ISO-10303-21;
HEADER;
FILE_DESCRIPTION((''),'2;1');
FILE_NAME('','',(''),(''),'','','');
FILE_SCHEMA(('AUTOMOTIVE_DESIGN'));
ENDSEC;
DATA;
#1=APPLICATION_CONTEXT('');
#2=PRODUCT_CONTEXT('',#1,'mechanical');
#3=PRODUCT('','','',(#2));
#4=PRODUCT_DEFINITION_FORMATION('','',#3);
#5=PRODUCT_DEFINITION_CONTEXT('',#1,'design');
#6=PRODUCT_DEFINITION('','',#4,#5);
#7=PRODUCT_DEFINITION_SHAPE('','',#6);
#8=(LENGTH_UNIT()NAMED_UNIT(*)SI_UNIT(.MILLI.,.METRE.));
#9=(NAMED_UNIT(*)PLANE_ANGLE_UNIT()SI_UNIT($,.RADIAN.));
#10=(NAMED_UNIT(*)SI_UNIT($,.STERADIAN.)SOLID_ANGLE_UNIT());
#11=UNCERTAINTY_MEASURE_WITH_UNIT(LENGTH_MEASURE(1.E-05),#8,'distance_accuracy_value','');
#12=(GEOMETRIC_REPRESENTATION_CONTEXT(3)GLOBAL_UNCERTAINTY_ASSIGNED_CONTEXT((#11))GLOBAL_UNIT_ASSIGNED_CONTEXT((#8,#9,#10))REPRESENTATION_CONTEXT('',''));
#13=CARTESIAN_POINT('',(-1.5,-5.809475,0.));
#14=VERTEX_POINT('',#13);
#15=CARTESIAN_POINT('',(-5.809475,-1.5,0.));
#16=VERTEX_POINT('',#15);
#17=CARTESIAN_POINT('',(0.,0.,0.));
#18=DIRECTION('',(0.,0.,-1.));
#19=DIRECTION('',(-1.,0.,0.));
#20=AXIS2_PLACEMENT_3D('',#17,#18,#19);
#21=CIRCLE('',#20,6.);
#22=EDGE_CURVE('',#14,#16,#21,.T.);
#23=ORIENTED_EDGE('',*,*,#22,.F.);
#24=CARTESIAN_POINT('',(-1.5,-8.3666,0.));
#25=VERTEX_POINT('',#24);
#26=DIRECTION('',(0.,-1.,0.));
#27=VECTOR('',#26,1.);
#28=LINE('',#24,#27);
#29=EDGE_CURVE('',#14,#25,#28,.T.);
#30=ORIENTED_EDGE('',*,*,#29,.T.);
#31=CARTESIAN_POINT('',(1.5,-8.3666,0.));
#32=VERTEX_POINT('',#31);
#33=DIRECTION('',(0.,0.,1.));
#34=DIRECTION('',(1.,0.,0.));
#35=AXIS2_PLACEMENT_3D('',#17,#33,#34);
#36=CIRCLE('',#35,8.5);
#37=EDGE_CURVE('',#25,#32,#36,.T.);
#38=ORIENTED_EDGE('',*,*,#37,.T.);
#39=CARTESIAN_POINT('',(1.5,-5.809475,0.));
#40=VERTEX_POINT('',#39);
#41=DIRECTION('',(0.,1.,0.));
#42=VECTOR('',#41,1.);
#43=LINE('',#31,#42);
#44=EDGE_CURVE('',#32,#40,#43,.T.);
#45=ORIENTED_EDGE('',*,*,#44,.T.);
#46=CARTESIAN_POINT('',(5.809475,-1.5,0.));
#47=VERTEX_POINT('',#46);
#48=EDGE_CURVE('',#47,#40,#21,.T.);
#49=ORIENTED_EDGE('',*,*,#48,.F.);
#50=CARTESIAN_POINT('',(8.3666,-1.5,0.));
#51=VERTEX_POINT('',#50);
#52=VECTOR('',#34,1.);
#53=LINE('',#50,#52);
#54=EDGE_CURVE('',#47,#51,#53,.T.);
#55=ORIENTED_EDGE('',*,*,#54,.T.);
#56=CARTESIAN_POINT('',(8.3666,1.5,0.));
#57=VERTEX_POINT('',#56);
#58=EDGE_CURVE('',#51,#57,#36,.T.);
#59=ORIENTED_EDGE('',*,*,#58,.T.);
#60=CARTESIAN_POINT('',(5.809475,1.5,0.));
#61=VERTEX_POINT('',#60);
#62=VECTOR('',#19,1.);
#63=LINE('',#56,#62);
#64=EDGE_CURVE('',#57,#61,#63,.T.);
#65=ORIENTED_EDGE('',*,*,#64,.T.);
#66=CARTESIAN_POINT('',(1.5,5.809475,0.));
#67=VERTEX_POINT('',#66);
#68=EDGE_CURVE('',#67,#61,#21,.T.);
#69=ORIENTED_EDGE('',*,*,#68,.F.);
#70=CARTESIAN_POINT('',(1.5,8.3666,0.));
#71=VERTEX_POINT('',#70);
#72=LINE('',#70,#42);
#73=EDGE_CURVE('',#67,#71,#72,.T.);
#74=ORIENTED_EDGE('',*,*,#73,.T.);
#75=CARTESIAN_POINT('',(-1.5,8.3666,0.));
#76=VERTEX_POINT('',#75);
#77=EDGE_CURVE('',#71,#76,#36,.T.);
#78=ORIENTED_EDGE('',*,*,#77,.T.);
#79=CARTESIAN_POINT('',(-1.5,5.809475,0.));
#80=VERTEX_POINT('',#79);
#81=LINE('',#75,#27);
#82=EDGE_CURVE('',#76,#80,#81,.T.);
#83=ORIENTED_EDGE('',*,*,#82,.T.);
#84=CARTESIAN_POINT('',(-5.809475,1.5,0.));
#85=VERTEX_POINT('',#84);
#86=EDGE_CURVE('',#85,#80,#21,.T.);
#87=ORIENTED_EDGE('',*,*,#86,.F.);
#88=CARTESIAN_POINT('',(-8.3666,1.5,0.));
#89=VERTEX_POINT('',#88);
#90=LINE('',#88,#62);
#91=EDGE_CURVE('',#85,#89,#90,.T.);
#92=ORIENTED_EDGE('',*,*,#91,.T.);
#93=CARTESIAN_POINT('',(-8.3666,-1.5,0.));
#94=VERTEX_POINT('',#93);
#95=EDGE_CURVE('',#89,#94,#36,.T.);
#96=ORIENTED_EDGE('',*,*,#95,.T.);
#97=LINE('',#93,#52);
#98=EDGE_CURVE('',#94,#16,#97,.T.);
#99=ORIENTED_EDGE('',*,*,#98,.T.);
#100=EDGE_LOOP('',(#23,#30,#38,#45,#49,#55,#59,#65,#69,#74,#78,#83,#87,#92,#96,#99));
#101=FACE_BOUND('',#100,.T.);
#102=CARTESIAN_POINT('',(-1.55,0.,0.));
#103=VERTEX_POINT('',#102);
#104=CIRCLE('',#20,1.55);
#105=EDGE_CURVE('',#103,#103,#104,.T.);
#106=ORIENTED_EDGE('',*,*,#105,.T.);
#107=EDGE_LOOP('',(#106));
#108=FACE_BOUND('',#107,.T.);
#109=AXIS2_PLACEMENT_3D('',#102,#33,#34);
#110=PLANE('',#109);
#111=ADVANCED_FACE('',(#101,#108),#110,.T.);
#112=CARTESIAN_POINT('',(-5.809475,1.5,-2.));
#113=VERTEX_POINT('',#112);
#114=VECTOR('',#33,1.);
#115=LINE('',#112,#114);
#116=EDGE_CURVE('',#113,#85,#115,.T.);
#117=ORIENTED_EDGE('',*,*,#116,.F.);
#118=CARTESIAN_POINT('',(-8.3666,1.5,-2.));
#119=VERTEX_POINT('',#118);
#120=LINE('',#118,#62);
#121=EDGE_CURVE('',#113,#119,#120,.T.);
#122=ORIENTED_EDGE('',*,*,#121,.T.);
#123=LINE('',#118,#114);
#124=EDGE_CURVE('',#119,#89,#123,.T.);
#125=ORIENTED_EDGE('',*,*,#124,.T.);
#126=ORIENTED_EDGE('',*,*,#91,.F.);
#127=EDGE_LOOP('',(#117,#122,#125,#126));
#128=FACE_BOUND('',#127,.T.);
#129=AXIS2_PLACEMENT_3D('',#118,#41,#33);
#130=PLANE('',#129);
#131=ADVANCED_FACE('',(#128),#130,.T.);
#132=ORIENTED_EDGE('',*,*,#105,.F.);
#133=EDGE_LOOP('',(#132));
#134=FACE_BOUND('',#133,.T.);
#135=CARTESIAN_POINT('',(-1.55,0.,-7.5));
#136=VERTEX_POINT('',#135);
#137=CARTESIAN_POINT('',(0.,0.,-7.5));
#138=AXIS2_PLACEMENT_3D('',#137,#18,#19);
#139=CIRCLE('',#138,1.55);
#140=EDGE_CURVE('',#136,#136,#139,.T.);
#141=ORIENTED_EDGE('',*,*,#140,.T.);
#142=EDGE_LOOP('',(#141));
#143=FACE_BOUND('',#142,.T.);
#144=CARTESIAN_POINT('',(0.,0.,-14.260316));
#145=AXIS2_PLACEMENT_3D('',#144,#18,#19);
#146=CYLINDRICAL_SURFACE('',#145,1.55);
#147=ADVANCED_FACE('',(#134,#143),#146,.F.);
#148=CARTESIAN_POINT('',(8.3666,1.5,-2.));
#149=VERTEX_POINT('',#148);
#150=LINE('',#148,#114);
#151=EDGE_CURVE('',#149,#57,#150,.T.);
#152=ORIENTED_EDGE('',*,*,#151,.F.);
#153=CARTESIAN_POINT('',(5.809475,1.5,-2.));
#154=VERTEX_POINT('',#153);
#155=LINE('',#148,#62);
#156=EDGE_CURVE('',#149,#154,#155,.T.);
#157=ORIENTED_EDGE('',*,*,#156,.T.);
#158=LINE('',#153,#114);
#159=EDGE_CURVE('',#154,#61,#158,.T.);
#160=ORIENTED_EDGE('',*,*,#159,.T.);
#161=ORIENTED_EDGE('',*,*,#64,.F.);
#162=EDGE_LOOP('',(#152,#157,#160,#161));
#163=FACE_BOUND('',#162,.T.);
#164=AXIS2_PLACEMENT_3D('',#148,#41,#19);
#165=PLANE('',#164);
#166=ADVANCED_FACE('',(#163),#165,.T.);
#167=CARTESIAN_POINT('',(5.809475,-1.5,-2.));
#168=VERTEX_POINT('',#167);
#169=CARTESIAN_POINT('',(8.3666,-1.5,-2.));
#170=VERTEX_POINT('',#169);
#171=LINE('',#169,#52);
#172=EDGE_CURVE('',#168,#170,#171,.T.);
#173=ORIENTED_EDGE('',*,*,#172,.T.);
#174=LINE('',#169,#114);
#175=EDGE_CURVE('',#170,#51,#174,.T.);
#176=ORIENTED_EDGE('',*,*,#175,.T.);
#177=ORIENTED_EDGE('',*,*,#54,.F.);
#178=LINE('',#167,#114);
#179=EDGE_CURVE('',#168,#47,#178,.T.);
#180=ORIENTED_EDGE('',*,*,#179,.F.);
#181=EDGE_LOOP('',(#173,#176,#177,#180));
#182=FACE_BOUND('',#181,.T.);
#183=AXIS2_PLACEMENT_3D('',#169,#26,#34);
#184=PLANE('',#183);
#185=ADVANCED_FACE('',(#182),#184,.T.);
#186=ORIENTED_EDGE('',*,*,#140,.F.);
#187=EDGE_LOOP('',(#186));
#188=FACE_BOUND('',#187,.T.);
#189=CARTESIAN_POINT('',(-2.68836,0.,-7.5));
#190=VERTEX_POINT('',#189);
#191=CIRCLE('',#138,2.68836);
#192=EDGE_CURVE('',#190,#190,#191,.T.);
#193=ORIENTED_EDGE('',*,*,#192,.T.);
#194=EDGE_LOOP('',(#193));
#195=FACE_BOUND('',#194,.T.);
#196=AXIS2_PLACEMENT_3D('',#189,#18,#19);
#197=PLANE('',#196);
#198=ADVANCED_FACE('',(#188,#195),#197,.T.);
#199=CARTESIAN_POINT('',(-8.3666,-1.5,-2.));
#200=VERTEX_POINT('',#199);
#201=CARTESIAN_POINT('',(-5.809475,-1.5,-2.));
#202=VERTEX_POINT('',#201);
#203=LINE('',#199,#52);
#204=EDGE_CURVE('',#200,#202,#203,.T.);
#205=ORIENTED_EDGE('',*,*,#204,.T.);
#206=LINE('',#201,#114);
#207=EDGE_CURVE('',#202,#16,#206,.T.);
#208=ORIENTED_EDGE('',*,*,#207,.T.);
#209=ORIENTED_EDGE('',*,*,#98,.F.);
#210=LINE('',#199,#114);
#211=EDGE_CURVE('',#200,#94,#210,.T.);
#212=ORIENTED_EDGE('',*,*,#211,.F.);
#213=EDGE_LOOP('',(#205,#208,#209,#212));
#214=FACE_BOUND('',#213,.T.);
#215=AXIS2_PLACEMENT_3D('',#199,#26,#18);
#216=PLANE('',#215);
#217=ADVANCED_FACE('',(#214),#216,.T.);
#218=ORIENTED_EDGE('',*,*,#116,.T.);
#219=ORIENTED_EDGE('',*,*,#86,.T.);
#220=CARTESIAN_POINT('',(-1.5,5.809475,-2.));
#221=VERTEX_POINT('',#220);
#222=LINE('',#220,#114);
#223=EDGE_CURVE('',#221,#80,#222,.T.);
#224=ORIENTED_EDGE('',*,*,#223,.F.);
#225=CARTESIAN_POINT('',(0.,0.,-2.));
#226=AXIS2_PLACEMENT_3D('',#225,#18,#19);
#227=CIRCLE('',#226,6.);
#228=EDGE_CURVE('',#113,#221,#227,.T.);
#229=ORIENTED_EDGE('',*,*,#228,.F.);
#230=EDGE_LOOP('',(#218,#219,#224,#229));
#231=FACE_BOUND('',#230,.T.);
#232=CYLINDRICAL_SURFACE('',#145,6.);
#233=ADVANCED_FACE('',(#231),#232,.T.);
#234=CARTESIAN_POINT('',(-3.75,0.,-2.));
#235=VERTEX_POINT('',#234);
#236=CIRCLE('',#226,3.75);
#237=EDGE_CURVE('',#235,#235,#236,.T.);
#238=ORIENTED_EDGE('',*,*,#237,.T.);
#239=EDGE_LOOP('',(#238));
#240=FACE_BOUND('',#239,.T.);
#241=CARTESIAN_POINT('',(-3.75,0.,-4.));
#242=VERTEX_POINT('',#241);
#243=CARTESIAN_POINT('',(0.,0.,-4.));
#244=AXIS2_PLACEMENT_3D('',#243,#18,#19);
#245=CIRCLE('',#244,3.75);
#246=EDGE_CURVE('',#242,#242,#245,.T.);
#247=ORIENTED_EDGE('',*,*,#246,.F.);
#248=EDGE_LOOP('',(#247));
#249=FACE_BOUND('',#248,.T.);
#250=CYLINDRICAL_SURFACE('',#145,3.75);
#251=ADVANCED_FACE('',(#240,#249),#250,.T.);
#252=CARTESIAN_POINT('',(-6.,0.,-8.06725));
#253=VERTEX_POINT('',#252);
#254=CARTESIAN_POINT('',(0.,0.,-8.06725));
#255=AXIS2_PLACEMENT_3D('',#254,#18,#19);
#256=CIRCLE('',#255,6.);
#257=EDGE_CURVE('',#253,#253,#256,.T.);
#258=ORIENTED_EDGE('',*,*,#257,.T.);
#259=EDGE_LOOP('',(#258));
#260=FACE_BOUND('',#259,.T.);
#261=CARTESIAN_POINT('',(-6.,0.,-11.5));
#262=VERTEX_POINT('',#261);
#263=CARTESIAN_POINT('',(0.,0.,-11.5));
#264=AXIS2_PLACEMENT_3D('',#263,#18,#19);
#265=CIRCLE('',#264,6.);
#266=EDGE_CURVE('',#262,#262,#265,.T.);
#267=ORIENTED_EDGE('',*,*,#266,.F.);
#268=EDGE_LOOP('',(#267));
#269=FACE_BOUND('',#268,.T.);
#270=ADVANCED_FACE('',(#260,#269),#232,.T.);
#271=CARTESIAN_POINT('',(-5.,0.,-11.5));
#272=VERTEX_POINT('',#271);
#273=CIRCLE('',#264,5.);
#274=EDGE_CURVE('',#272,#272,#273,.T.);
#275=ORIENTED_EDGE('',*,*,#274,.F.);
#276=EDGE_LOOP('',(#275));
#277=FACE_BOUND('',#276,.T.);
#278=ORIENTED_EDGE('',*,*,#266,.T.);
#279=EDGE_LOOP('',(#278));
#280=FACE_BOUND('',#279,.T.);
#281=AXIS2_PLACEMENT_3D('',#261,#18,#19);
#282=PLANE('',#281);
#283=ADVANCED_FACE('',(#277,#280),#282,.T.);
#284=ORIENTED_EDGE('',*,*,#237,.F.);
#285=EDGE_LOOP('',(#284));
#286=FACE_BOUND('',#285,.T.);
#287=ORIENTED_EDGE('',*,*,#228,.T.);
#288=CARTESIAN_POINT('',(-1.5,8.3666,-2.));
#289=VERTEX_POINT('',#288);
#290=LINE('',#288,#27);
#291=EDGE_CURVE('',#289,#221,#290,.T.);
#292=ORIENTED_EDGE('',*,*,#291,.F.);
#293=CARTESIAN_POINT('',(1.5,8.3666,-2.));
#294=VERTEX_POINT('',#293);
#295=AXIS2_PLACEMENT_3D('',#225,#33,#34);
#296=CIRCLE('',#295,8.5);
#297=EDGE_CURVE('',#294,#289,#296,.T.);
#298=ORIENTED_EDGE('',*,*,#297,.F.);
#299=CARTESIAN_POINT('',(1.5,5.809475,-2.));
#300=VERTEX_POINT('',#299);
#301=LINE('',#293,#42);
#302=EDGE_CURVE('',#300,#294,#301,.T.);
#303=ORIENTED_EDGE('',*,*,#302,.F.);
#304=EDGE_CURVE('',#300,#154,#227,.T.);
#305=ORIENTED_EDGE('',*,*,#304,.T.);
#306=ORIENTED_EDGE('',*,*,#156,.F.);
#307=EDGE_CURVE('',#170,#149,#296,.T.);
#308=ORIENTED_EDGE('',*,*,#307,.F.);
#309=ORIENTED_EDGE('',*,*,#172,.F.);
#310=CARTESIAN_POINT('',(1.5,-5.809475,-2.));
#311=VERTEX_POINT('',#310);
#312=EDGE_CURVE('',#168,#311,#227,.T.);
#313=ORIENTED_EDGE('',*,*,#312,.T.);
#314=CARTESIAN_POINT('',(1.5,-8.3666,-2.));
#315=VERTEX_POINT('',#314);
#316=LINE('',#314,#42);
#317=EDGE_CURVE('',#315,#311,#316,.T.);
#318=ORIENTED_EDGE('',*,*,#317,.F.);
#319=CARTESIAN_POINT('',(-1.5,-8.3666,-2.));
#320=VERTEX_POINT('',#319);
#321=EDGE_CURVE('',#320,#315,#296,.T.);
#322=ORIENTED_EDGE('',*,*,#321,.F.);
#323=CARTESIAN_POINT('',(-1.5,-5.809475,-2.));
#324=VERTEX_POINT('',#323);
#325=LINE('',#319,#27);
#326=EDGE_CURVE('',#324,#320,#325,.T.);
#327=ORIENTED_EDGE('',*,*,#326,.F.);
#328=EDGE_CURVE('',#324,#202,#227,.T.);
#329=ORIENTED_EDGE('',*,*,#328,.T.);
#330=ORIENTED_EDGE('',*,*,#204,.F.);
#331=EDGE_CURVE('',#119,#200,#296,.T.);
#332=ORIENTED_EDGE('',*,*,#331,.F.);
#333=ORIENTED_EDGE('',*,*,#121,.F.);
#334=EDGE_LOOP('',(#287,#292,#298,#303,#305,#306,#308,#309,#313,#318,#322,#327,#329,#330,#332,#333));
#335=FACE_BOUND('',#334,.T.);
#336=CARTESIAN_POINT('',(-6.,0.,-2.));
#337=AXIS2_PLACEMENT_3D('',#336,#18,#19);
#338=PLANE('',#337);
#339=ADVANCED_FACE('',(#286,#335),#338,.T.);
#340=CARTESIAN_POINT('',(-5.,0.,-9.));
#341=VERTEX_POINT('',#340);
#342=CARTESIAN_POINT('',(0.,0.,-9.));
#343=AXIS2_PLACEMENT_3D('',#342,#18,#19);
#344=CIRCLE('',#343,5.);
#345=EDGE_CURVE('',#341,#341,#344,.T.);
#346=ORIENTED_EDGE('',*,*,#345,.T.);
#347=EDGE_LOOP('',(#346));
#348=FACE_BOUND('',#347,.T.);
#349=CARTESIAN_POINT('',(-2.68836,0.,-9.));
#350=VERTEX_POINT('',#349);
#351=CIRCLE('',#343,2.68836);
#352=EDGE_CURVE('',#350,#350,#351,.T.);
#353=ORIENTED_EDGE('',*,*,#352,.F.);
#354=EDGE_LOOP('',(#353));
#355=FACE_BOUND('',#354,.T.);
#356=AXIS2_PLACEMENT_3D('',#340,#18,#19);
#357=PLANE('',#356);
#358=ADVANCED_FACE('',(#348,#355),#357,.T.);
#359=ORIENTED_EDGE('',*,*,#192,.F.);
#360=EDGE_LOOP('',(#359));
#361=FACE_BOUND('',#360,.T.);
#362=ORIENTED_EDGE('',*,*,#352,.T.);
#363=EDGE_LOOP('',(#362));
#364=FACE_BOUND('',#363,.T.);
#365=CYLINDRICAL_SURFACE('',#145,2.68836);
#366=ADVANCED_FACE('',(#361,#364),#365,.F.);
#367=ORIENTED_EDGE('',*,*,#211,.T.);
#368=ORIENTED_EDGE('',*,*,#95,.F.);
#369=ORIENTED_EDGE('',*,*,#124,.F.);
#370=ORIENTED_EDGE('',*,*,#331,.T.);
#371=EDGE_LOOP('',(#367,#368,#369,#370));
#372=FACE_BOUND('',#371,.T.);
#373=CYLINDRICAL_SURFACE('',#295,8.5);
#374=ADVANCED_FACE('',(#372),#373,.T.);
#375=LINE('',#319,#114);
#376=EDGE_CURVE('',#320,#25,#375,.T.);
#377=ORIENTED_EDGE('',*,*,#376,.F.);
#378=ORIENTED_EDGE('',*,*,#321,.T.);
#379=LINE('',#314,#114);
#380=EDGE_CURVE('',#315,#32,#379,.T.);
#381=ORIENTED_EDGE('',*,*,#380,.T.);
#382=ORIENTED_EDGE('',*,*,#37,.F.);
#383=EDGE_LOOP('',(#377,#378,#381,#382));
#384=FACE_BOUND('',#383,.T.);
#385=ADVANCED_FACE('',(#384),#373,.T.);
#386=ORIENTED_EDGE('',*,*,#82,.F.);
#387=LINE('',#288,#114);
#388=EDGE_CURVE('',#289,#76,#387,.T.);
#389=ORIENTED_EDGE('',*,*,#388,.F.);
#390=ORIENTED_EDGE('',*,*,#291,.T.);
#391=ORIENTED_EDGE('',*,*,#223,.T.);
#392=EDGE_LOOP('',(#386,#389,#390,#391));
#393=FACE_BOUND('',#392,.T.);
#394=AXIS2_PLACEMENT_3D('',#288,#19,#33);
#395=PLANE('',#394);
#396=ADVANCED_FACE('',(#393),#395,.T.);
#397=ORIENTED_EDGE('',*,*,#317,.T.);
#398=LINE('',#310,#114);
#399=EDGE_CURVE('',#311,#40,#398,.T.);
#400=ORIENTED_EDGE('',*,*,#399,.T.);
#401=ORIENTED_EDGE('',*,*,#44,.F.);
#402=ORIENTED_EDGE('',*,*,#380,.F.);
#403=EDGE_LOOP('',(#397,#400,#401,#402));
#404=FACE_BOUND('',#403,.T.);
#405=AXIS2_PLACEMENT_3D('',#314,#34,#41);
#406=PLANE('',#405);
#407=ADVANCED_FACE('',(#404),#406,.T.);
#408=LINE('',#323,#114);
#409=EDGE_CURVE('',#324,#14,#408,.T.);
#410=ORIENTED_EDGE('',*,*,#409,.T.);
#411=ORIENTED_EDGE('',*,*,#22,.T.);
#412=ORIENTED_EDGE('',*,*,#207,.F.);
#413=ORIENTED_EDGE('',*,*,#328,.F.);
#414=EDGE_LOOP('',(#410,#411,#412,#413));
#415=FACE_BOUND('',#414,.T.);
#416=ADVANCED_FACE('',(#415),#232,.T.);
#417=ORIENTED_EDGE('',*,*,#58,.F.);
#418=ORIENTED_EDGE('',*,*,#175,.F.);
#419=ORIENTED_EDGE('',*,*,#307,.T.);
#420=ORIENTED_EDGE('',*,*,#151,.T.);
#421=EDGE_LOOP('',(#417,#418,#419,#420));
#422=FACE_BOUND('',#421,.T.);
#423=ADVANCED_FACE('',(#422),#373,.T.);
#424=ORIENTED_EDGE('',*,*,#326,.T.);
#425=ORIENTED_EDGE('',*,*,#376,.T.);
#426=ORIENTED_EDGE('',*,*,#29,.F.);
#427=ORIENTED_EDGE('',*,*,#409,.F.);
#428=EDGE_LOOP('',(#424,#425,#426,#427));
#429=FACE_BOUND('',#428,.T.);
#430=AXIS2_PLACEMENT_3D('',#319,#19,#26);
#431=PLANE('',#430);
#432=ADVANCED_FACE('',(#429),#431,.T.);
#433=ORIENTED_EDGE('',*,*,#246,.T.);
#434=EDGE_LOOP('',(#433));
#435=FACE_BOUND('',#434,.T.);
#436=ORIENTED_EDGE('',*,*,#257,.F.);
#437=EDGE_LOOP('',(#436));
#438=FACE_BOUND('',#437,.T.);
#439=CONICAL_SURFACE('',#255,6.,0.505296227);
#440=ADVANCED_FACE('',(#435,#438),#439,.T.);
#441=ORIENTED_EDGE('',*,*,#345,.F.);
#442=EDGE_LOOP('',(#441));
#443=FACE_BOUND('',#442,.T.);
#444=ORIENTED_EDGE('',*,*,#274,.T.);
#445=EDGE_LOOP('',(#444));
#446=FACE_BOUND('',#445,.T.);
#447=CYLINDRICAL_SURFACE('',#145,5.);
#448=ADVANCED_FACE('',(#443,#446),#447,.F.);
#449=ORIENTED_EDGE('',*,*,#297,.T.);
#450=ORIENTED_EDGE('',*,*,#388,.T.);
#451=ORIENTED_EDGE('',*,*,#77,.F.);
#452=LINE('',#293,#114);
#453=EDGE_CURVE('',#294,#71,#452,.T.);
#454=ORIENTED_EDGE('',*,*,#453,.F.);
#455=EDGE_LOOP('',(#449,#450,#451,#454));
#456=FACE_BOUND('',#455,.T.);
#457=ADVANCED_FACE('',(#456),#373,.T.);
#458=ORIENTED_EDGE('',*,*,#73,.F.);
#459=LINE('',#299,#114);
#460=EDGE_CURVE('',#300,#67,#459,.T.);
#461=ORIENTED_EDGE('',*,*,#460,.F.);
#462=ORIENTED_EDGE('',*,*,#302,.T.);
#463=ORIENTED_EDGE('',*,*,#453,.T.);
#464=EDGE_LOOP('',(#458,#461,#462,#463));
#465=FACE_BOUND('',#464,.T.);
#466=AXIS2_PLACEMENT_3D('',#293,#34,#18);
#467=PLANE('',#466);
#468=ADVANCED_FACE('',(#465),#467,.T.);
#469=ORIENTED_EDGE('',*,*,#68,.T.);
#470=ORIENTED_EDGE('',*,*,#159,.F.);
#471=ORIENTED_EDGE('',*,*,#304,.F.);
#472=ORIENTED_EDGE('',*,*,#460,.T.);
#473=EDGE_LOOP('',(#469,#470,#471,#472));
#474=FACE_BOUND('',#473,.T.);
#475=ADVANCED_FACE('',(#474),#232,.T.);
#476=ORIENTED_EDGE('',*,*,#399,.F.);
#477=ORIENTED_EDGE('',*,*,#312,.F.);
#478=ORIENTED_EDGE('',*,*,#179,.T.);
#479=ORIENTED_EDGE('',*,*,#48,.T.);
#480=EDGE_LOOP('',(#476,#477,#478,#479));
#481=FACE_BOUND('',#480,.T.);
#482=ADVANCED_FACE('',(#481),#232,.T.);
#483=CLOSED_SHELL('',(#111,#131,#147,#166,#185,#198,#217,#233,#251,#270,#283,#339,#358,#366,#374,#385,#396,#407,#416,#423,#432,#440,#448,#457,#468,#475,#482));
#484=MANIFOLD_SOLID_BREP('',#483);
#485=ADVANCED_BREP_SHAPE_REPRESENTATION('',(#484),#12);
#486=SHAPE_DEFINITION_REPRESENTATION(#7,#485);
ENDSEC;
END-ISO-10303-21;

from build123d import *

# Parameters (mm, degrees)
BOSS_EXTRUDE1_DEPTH = 2


with BuildPart() as part:
    # Sketch1 → Revolve1 (revolve)
    with BuildSketch(Plane(origin=(0, 0, 0), x_dir=(1, 0, 0), z_dir=(0, 1, 0))):
        Polygon((-1.55, 0), (-6, 0), (-6, 2), (-3.75, 2), (-3.75, 4), (-6, 8.067249704), (-6, 11.5), (-5, 11.5), (-5, 9), (-2.688359629, 9), (-2.688359629, 7.5), (-1.55, 7.5), align=None)
    revolve(axis=Axis((0, 0, -14.260315956), (0, 0, 1)))

    # Sketch2 → Boss-Extrude1 (add)
    with BuildSketch(Plane.XY):
        with BuildLine():
            Line((-8.366600265, 1.5), (-5.809475019, 1.5))
            ThreePointArc((-5.809475019, 1.5), (-6, 0), (-5.809475019, -1.5))
            Line((-5.809475019, -1.5), (-8.366600265, -1.5))
            ThreePointArc((-8.366600265, -1.5), (-8.5, 0), (-8.366600265, 1.5))
        make_face()
        with BuildLine():
            Line((1.5, 8.366600265), (1.5, 5.809475019))
            ThreePointArc((1.5, 5.809475019), (0, 6), (-1.5, 5.809475019))
            Line((-1.5, 5.809475019), (-1.5, 8.366600265))
            ThreePointArc((-1.5, 8.366600265), (0, 8.5), (1.5, 8.366600265))
        make_face()
        with BuildLine():
            Line((8.366600265, -1.5), (5.809475019, -1.5))
            ThreePointArc((5.809475019, -1.5), (6, 0), (5.809475019, 1.5))
            Line((5.809475019, 1.5), (8.366600265, 1.5))
            ThreePointArc((8.366600265, 1.5), (8.5, 0), (8.366600265, -1.5))
        make_face()
        with BuildLine():
            Line((-1.5, -8.366600265), (-1.5, -5.809475019))
            ThreePointArc((-1.5, -5.809475019), (0, -6), (1.5, -5.809475019))
            Line((1.5, -5.809475019), (1.5, -8.366600265))
            ThreePointArc((1.5, -8.366600265), (0, -8.5), (-1.5, -8.366600265))
        make_face()
    extrude(amount=-BOSS_EXTRUDE1_DEPTH)


solid = part.part
